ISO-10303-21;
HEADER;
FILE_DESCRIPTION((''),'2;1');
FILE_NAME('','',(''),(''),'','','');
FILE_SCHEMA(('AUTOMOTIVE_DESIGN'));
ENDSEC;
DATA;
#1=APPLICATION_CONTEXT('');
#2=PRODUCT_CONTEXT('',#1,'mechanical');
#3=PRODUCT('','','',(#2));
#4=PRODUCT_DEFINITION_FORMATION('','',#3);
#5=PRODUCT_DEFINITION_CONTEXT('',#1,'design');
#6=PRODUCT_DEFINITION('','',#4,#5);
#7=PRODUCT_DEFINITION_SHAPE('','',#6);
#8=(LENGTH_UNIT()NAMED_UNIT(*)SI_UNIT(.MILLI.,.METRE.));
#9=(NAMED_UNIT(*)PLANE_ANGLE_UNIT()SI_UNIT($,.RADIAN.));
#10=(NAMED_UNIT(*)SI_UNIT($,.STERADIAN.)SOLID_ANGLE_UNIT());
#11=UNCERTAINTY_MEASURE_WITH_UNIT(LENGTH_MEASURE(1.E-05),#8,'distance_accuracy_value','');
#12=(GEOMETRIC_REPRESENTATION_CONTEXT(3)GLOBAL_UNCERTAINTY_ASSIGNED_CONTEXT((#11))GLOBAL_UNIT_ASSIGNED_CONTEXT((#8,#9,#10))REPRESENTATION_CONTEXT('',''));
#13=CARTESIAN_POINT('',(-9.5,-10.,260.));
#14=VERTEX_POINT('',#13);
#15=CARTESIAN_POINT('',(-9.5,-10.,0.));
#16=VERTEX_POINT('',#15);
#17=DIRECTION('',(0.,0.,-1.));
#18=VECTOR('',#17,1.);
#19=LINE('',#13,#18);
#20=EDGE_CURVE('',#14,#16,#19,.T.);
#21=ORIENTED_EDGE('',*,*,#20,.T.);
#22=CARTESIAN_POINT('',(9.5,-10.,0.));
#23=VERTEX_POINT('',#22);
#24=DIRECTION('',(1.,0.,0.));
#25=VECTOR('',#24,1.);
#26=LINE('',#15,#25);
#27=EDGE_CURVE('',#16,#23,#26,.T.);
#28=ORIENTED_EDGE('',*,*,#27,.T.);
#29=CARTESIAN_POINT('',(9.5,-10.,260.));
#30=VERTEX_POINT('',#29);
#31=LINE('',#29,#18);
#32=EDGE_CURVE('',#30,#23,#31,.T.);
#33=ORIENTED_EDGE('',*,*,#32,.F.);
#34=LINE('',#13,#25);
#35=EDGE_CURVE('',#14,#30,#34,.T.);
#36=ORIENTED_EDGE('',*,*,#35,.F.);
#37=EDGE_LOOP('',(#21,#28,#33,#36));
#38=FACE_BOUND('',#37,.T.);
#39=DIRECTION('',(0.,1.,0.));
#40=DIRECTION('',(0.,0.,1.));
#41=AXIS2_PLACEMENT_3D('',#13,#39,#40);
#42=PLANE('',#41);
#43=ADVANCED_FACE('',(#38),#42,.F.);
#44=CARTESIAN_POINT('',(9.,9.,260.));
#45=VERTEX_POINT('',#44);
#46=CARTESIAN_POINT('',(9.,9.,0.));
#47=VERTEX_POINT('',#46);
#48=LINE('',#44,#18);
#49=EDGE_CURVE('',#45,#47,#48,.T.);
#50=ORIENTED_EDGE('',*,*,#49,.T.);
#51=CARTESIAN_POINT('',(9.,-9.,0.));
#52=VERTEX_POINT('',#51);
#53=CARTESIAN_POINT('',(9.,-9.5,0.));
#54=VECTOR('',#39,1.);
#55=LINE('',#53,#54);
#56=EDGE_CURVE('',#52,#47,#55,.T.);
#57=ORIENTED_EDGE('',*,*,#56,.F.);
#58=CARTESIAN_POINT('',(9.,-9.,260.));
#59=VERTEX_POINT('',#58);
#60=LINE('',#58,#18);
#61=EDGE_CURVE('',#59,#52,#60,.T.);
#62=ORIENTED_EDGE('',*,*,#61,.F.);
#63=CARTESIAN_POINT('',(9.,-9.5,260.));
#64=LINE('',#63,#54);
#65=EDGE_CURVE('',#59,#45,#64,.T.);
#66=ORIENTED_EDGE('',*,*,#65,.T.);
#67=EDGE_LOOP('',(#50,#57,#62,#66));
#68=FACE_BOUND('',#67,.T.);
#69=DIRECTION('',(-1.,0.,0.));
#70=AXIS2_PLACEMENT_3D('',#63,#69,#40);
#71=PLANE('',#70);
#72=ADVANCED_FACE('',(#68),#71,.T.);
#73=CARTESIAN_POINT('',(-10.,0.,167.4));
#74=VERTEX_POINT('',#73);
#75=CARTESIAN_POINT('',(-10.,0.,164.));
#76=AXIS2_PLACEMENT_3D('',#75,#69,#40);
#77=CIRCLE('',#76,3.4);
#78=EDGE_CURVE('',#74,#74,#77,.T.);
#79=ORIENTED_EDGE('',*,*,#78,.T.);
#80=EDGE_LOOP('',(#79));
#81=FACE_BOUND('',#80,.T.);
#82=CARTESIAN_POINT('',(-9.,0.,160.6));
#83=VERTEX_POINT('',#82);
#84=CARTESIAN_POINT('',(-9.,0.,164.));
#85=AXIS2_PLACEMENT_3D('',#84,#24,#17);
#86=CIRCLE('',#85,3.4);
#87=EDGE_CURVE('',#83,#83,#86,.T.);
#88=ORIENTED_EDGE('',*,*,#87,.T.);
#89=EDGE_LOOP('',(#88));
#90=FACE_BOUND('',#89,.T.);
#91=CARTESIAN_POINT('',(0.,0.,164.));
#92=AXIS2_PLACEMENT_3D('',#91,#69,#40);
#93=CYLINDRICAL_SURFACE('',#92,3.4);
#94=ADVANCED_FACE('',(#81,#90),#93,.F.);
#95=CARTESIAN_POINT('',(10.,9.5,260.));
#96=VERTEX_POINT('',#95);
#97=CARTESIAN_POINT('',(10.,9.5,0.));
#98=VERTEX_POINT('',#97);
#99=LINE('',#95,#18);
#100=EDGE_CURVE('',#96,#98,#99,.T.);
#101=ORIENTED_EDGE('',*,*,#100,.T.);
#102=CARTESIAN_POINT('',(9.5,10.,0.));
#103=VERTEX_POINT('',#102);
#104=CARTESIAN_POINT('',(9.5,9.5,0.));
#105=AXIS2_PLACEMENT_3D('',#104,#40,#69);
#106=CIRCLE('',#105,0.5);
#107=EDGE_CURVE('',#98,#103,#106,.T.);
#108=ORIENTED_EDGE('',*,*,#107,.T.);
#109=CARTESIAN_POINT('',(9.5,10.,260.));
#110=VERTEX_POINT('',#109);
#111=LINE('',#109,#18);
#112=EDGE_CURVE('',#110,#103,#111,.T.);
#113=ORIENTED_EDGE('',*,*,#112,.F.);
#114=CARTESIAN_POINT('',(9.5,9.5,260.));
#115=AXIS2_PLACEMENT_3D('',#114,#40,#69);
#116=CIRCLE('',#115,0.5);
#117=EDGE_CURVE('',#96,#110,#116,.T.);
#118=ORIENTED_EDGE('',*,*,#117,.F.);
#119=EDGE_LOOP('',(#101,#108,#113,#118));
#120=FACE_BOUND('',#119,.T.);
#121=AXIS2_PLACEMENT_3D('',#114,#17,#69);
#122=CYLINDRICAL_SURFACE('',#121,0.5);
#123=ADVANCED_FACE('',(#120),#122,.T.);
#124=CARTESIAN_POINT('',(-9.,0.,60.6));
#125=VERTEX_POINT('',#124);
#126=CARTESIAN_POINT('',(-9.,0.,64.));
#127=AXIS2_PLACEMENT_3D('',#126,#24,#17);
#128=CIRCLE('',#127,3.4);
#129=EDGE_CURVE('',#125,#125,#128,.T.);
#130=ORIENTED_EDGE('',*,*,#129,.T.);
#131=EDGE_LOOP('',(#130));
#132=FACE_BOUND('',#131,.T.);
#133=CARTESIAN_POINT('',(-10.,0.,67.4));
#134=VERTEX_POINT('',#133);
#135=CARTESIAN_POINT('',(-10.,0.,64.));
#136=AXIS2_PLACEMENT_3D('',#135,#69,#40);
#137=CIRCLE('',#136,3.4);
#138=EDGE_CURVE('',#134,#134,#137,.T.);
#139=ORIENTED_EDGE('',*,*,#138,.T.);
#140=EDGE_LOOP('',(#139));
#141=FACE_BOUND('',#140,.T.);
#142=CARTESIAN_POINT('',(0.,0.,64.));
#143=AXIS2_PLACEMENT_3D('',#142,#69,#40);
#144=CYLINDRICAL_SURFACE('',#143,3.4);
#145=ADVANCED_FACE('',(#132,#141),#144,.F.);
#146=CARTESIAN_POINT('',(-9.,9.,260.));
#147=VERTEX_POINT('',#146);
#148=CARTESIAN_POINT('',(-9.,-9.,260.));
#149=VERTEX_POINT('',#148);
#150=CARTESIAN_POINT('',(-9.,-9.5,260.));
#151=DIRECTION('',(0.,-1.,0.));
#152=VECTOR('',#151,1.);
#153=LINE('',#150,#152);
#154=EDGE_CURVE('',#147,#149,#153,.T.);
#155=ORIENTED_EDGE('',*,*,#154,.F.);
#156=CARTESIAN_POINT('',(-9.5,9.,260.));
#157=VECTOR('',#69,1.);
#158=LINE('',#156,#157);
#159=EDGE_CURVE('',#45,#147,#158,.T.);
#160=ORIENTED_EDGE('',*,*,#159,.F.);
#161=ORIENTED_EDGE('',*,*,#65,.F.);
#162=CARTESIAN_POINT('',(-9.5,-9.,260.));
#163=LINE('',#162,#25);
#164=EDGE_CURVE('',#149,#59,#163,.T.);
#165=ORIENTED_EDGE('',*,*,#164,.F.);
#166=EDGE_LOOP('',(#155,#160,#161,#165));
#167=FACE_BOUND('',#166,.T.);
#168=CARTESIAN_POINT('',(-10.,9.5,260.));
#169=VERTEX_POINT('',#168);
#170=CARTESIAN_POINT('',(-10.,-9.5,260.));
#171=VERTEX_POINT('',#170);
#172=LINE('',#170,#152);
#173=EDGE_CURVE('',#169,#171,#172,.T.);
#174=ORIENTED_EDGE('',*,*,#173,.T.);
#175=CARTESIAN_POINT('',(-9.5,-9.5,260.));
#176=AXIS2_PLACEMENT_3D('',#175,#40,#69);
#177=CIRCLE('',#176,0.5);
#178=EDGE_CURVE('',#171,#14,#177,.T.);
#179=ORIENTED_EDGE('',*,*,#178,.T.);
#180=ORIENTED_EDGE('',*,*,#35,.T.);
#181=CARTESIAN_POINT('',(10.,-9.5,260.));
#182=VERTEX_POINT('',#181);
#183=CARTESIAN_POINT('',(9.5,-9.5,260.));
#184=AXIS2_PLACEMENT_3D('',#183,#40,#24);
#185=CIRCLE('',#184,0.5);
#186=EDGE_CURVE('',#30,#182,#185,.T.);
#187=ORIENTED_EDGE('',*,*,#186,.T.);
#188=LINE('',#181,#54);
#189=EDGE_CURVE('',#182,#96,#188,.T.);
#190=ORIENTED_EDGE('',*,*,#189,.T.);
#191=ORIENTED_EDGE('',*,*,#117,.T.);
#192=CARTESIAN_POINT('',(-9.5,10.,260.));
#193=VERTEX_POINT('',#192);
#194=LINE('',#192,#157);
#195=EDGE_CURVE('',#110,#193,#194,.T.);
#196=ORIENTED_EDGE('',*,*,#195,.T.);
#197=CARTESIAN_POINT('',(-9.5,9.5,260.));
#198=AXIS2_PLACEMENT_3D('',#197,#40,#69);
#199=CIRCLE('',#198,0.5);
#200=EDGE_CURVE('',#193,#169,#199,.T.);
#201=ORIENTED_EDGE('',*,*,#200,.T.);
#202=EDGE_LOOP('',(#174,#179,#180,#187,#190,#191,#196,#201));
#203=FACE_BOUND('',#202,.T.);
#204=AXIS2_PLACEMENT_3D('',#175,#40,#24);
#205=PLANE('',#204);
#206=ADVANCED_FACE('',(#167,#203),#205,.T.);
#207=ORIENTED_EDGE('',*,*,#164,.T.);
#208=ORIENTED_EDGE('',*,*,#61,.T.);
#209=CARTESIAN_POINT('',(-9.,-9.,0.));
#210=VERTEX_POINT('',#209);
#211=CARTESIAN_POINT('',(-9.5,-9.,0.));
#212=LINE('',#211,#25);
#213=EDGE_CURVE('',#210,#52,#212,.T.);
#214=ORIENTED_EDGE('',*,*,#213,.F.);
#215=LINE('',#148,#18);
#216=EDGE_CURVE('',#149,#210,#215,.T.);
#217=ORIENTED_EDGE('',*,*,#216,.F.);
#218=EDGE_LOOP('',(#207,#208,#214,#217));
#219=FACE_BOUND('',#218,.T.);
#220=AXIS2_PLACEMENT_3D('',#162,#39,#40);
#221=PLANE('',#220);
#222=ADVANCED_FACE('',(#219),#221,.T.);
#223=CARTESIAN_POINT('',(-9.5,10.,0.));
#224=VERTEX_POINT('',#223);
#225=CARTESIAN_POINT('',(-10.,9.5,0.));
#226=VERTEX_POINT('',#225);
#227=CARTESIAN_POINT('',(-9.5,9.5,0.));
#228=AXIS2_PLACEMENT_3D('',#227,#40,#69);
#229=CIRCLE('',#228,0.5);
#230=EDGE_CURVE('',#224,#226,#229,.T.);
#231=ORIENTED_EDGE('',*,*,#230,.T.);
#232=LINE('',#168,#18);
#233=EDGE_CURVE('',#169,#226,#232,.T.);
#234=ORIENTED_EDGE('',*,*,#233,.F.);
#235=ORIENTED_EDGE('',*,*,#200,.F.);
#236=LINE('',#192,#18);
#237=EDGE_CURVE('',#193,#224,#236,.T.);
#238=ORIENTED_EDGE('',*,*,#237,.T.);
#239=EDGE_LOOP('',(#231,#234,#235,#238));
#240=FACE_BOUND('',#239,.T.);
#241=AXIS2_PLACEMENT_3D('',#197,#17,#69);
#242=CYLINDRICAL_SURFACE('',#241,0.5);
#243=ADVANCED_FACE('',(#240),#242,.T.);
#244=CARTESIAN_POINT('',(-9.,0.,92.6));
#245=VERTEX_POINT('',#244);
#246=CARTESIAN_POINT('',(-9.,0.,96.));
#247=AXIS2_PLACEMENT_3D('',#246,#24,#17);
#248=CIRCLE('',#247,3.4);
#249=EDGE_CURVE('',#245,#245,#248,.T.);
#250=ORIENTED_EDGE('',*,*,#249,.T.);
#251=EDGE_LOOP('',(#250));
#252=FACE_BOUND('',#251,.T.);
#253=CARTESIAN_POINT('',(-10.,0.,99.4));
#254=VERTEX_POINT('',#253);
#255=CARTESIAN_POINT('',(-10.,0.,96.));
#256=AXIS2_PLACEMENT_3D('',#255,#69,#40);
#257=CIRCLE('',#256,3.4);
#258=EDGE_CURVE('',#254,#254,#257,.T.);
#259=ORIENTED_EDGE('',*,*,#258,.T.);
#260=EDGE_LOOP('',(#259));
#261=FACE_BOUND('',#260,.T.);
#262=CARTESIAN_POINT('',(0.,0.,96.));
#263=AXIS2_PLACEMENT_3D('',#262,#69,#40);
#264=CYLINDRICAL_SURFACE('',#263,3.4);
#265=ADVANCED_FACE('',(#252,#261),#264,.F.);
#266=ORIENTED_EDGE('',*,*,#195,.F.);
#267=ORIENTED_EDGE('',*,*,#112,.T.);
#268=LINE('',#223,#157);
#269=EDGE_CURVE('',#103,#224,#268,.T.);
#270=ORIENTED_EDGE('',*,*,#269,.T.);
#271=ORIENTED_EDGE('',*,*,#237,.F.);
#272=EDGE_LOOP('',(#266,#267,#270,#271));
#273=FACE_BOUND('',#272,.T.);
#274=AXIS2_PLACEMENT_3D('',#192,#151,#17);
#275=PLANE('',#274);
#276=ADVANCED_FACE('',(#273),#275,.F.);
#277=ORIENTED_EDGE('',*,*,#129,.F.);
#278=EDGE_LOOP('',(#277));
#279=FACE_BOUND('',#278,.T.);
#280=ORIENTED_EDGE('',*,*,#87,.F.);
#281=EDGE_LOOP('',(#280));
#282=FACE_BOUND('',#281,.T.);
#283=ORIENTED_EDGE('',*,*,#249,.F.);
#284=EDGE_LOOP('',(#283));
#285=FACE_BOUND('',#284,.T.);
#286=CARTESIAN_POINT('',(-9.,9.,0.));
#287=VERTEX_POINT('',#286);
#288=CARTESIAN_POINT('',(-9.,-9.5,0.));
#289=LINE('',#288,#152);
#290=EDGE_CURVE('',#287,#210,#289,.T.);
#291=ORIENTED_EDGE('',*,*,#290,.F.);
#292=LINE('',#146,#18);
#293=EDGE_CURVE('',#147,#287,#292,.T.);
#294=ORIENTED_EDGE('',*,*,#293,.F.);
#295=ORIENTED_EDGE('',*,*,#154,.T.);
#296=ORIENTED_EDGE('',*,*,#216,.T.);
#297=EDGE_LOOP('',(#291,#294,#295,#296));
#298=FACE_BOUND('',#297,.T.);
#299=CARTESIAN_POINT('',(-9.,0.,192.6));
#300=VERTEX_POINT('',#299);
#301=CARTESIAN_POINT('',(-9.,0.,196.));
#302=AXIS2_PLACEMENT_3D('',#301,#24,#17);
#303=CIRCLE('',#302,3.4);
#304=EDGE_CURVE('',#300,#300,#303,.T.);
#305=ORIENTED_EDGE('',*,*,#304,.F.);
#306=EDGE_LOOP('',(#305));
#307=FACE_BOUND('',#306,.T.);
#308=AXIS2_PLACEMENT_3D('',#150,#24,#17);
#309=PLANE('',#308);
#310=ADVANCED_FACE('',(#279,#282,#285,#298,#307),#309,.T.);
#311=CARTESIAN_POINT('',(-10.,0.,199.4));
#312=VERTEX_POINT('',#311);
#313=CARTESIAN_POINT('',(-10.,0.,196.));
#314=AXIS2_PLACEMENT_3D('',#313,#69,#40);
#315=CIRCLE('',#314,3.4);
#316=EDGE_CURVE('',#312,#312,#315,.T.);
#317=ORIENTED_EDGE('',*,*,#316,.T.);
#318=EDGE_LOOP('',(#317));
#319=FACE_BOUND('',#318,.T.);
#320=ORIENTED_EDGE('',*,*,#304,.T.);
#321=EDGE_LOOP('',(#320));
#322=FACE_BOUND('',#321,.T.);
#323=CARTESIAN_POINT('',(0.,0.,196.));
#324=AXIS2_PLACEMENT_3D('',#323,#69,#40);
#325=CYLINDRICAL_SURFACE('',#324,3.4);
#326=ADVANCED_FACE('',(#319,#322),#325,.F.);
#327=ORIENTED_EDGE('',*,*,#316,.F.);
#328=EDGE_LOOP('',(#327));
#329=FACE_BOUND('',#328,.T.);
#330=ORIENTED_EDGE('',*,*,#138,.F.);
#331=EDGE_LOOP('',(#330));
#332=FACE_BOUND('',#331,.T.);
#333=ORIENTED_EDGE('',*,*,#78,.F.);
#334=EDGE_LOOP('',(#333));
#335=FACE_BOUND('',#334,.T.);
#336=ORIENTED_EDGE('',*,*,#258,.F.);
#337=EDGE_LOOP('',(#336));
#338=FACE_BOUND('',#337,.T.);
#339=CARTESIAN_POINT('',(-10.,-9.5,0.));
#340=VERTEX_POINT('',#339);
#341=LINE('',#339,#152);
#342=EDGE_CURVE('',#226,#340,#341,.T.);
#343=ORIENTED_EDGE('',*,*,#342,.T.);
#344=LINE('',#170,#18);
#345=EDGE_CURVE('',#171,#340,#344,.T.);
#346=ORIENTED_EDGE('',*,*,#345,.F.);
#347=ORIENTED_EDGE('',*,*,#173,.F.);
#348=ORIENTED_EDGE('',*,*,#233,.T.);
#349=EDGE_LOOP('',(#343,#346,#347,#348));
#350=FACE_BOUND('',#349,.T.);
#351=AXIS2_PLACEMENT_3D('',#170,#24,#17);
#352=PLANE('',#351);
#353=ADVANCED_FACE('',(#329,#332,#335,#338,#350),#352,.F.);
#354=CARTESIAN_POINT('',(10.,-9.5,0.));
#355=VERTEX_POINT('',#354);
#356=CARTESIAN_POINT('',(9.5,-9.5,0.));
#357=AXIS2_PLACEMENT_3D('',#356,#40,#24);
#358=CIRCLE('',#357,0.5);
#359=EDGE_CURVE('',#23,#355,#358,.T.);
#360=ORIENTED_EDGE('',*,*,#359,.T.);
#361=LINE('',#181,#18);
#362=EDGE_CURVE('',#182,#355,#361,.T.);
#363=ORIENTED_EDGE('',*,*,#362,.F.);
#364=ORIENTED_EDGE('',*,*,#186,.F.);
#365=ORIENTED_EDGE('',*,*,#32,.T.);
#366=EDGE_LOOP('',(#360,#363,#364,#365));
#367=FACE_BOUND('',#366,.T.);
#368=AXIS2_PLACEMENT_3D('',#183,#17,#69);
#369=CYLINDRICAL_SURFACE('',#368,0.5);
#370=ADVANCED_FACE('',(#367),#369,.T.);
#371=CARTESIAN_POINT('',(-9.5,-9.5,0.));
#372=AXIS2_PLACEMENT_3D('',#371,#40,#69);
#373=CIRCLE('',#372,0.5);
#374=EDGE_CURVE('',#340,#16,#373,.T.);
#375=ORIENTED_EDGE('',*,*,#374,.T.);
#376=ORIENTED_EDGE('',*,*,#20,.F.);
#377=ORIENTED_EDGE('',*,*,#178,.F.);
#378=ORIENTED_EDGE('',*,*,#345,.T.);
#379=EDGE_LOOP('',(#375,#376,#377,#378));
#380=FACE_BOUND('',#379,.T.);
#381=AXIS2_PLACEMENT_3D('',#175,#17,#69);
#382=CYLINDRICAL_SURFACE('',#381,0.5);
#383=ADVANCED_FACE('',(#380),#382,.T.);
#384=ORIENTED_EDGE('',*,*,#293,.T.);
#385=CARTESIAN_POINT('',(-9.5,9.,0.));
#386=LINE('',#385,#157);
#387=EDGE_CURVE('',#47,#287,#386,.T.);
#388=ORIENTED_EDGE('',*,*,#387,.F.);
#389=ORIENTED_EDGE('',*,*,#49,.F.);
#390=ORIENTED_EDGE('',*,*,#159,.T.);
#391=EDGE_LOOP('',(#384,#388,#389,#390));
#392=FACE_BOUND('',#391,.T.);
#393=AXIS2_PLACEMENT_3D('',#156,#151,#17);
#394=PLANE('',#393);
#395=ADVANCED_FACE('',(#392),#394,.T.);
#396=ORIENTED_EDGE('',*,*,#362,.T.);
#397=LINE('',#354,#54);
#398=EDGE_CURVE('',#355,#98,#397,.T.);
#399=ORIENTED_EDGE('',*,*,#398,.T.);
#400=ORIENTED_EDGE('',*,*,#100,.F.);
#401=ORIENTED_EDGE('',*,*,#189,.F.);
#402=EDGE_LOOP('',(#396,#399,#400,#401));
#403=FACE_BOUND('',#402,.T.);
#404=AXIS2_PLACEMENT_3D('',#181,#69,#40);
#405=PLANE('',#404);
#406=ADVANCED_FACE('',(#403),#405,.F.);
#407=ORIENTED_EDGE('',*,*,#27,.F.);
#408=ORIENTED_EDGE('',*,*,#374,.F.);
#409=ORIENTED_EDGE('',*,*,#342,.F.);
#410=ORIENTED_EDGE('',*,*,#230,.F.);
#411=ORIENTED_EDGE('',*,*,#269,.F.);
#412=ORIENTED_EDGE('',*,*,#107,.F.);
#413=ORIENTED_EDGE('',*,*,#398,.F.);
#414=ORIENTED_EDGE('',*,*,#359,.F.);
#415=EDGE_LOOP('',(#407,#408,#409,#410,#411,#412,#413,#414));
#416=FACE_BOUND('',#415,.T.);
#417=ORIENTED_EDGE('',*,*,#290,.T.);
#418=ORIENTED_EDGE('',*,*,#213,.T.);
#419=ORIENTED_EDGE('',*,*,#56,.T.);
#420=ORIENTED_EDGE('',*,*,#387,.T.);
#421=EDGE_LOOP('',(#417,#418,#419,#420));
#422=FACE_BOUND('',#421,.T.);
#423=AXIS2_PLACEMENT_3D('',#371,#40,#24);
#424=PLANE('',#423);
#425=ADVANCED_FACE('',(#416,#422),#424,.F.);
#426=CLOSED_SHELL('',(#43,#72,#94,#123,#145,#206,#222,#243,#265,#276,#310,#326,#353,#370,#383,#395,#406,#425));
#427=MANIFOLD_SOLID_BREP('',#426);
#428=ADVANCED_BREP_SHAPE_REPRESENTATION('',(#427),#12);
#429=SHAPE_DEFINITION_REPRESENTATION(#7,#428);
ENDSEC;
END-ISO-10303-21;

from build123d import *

# Parameters (mm, degrees)
SKETCH1_W           = 18
SKETCH1_H           = 18
EXTRUDE_THIN1_DEPTH = 260
SKETCH2_R           = 3.4
CUT_EXTRUDE1_DEPTH  = 10


with BuildPart() as part:
    # Sketch1 → Extrude-Thin1 (new body)
    with BuildSketch(Plane.XY):
        with BuildLine():
            Line((-10, 9.5), (-10, -9.5))
            ThreePointArc((-10, -9.5), (-9.853553391, -9.853553391), (-9.5, -10))
            Line((-9.5, -10), (9.5, -10))
            ThreePointArc((9.5, -10), (9.853553391, -9.853553391), (10, -9.5))
            Line((10, -9.5), (10, 9.5))
            ThreePointArc((10, 9.5), (9.853553391, 9.853553391), (9.5, 10))
            Line((9.5, 10), (-9.5, 10))
            ThreePointArc((-9.5, 10), (-9.853553391, 9.853553391), (-10, 9.5))
        make_face()
        Rectangle(SKETCH1_W, SKETCH1_H, mode=Mode.SUBTRACT)
    extrude(amount=EXTRUDE_THIN1_DEPTH)

    # Sketch2 → Cut-Extrude1 (cut)
    with BuildSketch(Plane.ZY.offset(10)):
        with Locations((64, 0)):
            Circle(SKETCH2_R)
        with Locations((164, 0)):
            Circle(SKETCH2_R)
        with Locations((196, 0)):
            Circle(SKETCH2_R)
        with Locations((96, 0)):
            Circle(SKETCH2_R)
    extrude(amount=-CUT_EXTRUDE1_DEPTH, mode=Mode.SUBTRACT)


solid = part.part
